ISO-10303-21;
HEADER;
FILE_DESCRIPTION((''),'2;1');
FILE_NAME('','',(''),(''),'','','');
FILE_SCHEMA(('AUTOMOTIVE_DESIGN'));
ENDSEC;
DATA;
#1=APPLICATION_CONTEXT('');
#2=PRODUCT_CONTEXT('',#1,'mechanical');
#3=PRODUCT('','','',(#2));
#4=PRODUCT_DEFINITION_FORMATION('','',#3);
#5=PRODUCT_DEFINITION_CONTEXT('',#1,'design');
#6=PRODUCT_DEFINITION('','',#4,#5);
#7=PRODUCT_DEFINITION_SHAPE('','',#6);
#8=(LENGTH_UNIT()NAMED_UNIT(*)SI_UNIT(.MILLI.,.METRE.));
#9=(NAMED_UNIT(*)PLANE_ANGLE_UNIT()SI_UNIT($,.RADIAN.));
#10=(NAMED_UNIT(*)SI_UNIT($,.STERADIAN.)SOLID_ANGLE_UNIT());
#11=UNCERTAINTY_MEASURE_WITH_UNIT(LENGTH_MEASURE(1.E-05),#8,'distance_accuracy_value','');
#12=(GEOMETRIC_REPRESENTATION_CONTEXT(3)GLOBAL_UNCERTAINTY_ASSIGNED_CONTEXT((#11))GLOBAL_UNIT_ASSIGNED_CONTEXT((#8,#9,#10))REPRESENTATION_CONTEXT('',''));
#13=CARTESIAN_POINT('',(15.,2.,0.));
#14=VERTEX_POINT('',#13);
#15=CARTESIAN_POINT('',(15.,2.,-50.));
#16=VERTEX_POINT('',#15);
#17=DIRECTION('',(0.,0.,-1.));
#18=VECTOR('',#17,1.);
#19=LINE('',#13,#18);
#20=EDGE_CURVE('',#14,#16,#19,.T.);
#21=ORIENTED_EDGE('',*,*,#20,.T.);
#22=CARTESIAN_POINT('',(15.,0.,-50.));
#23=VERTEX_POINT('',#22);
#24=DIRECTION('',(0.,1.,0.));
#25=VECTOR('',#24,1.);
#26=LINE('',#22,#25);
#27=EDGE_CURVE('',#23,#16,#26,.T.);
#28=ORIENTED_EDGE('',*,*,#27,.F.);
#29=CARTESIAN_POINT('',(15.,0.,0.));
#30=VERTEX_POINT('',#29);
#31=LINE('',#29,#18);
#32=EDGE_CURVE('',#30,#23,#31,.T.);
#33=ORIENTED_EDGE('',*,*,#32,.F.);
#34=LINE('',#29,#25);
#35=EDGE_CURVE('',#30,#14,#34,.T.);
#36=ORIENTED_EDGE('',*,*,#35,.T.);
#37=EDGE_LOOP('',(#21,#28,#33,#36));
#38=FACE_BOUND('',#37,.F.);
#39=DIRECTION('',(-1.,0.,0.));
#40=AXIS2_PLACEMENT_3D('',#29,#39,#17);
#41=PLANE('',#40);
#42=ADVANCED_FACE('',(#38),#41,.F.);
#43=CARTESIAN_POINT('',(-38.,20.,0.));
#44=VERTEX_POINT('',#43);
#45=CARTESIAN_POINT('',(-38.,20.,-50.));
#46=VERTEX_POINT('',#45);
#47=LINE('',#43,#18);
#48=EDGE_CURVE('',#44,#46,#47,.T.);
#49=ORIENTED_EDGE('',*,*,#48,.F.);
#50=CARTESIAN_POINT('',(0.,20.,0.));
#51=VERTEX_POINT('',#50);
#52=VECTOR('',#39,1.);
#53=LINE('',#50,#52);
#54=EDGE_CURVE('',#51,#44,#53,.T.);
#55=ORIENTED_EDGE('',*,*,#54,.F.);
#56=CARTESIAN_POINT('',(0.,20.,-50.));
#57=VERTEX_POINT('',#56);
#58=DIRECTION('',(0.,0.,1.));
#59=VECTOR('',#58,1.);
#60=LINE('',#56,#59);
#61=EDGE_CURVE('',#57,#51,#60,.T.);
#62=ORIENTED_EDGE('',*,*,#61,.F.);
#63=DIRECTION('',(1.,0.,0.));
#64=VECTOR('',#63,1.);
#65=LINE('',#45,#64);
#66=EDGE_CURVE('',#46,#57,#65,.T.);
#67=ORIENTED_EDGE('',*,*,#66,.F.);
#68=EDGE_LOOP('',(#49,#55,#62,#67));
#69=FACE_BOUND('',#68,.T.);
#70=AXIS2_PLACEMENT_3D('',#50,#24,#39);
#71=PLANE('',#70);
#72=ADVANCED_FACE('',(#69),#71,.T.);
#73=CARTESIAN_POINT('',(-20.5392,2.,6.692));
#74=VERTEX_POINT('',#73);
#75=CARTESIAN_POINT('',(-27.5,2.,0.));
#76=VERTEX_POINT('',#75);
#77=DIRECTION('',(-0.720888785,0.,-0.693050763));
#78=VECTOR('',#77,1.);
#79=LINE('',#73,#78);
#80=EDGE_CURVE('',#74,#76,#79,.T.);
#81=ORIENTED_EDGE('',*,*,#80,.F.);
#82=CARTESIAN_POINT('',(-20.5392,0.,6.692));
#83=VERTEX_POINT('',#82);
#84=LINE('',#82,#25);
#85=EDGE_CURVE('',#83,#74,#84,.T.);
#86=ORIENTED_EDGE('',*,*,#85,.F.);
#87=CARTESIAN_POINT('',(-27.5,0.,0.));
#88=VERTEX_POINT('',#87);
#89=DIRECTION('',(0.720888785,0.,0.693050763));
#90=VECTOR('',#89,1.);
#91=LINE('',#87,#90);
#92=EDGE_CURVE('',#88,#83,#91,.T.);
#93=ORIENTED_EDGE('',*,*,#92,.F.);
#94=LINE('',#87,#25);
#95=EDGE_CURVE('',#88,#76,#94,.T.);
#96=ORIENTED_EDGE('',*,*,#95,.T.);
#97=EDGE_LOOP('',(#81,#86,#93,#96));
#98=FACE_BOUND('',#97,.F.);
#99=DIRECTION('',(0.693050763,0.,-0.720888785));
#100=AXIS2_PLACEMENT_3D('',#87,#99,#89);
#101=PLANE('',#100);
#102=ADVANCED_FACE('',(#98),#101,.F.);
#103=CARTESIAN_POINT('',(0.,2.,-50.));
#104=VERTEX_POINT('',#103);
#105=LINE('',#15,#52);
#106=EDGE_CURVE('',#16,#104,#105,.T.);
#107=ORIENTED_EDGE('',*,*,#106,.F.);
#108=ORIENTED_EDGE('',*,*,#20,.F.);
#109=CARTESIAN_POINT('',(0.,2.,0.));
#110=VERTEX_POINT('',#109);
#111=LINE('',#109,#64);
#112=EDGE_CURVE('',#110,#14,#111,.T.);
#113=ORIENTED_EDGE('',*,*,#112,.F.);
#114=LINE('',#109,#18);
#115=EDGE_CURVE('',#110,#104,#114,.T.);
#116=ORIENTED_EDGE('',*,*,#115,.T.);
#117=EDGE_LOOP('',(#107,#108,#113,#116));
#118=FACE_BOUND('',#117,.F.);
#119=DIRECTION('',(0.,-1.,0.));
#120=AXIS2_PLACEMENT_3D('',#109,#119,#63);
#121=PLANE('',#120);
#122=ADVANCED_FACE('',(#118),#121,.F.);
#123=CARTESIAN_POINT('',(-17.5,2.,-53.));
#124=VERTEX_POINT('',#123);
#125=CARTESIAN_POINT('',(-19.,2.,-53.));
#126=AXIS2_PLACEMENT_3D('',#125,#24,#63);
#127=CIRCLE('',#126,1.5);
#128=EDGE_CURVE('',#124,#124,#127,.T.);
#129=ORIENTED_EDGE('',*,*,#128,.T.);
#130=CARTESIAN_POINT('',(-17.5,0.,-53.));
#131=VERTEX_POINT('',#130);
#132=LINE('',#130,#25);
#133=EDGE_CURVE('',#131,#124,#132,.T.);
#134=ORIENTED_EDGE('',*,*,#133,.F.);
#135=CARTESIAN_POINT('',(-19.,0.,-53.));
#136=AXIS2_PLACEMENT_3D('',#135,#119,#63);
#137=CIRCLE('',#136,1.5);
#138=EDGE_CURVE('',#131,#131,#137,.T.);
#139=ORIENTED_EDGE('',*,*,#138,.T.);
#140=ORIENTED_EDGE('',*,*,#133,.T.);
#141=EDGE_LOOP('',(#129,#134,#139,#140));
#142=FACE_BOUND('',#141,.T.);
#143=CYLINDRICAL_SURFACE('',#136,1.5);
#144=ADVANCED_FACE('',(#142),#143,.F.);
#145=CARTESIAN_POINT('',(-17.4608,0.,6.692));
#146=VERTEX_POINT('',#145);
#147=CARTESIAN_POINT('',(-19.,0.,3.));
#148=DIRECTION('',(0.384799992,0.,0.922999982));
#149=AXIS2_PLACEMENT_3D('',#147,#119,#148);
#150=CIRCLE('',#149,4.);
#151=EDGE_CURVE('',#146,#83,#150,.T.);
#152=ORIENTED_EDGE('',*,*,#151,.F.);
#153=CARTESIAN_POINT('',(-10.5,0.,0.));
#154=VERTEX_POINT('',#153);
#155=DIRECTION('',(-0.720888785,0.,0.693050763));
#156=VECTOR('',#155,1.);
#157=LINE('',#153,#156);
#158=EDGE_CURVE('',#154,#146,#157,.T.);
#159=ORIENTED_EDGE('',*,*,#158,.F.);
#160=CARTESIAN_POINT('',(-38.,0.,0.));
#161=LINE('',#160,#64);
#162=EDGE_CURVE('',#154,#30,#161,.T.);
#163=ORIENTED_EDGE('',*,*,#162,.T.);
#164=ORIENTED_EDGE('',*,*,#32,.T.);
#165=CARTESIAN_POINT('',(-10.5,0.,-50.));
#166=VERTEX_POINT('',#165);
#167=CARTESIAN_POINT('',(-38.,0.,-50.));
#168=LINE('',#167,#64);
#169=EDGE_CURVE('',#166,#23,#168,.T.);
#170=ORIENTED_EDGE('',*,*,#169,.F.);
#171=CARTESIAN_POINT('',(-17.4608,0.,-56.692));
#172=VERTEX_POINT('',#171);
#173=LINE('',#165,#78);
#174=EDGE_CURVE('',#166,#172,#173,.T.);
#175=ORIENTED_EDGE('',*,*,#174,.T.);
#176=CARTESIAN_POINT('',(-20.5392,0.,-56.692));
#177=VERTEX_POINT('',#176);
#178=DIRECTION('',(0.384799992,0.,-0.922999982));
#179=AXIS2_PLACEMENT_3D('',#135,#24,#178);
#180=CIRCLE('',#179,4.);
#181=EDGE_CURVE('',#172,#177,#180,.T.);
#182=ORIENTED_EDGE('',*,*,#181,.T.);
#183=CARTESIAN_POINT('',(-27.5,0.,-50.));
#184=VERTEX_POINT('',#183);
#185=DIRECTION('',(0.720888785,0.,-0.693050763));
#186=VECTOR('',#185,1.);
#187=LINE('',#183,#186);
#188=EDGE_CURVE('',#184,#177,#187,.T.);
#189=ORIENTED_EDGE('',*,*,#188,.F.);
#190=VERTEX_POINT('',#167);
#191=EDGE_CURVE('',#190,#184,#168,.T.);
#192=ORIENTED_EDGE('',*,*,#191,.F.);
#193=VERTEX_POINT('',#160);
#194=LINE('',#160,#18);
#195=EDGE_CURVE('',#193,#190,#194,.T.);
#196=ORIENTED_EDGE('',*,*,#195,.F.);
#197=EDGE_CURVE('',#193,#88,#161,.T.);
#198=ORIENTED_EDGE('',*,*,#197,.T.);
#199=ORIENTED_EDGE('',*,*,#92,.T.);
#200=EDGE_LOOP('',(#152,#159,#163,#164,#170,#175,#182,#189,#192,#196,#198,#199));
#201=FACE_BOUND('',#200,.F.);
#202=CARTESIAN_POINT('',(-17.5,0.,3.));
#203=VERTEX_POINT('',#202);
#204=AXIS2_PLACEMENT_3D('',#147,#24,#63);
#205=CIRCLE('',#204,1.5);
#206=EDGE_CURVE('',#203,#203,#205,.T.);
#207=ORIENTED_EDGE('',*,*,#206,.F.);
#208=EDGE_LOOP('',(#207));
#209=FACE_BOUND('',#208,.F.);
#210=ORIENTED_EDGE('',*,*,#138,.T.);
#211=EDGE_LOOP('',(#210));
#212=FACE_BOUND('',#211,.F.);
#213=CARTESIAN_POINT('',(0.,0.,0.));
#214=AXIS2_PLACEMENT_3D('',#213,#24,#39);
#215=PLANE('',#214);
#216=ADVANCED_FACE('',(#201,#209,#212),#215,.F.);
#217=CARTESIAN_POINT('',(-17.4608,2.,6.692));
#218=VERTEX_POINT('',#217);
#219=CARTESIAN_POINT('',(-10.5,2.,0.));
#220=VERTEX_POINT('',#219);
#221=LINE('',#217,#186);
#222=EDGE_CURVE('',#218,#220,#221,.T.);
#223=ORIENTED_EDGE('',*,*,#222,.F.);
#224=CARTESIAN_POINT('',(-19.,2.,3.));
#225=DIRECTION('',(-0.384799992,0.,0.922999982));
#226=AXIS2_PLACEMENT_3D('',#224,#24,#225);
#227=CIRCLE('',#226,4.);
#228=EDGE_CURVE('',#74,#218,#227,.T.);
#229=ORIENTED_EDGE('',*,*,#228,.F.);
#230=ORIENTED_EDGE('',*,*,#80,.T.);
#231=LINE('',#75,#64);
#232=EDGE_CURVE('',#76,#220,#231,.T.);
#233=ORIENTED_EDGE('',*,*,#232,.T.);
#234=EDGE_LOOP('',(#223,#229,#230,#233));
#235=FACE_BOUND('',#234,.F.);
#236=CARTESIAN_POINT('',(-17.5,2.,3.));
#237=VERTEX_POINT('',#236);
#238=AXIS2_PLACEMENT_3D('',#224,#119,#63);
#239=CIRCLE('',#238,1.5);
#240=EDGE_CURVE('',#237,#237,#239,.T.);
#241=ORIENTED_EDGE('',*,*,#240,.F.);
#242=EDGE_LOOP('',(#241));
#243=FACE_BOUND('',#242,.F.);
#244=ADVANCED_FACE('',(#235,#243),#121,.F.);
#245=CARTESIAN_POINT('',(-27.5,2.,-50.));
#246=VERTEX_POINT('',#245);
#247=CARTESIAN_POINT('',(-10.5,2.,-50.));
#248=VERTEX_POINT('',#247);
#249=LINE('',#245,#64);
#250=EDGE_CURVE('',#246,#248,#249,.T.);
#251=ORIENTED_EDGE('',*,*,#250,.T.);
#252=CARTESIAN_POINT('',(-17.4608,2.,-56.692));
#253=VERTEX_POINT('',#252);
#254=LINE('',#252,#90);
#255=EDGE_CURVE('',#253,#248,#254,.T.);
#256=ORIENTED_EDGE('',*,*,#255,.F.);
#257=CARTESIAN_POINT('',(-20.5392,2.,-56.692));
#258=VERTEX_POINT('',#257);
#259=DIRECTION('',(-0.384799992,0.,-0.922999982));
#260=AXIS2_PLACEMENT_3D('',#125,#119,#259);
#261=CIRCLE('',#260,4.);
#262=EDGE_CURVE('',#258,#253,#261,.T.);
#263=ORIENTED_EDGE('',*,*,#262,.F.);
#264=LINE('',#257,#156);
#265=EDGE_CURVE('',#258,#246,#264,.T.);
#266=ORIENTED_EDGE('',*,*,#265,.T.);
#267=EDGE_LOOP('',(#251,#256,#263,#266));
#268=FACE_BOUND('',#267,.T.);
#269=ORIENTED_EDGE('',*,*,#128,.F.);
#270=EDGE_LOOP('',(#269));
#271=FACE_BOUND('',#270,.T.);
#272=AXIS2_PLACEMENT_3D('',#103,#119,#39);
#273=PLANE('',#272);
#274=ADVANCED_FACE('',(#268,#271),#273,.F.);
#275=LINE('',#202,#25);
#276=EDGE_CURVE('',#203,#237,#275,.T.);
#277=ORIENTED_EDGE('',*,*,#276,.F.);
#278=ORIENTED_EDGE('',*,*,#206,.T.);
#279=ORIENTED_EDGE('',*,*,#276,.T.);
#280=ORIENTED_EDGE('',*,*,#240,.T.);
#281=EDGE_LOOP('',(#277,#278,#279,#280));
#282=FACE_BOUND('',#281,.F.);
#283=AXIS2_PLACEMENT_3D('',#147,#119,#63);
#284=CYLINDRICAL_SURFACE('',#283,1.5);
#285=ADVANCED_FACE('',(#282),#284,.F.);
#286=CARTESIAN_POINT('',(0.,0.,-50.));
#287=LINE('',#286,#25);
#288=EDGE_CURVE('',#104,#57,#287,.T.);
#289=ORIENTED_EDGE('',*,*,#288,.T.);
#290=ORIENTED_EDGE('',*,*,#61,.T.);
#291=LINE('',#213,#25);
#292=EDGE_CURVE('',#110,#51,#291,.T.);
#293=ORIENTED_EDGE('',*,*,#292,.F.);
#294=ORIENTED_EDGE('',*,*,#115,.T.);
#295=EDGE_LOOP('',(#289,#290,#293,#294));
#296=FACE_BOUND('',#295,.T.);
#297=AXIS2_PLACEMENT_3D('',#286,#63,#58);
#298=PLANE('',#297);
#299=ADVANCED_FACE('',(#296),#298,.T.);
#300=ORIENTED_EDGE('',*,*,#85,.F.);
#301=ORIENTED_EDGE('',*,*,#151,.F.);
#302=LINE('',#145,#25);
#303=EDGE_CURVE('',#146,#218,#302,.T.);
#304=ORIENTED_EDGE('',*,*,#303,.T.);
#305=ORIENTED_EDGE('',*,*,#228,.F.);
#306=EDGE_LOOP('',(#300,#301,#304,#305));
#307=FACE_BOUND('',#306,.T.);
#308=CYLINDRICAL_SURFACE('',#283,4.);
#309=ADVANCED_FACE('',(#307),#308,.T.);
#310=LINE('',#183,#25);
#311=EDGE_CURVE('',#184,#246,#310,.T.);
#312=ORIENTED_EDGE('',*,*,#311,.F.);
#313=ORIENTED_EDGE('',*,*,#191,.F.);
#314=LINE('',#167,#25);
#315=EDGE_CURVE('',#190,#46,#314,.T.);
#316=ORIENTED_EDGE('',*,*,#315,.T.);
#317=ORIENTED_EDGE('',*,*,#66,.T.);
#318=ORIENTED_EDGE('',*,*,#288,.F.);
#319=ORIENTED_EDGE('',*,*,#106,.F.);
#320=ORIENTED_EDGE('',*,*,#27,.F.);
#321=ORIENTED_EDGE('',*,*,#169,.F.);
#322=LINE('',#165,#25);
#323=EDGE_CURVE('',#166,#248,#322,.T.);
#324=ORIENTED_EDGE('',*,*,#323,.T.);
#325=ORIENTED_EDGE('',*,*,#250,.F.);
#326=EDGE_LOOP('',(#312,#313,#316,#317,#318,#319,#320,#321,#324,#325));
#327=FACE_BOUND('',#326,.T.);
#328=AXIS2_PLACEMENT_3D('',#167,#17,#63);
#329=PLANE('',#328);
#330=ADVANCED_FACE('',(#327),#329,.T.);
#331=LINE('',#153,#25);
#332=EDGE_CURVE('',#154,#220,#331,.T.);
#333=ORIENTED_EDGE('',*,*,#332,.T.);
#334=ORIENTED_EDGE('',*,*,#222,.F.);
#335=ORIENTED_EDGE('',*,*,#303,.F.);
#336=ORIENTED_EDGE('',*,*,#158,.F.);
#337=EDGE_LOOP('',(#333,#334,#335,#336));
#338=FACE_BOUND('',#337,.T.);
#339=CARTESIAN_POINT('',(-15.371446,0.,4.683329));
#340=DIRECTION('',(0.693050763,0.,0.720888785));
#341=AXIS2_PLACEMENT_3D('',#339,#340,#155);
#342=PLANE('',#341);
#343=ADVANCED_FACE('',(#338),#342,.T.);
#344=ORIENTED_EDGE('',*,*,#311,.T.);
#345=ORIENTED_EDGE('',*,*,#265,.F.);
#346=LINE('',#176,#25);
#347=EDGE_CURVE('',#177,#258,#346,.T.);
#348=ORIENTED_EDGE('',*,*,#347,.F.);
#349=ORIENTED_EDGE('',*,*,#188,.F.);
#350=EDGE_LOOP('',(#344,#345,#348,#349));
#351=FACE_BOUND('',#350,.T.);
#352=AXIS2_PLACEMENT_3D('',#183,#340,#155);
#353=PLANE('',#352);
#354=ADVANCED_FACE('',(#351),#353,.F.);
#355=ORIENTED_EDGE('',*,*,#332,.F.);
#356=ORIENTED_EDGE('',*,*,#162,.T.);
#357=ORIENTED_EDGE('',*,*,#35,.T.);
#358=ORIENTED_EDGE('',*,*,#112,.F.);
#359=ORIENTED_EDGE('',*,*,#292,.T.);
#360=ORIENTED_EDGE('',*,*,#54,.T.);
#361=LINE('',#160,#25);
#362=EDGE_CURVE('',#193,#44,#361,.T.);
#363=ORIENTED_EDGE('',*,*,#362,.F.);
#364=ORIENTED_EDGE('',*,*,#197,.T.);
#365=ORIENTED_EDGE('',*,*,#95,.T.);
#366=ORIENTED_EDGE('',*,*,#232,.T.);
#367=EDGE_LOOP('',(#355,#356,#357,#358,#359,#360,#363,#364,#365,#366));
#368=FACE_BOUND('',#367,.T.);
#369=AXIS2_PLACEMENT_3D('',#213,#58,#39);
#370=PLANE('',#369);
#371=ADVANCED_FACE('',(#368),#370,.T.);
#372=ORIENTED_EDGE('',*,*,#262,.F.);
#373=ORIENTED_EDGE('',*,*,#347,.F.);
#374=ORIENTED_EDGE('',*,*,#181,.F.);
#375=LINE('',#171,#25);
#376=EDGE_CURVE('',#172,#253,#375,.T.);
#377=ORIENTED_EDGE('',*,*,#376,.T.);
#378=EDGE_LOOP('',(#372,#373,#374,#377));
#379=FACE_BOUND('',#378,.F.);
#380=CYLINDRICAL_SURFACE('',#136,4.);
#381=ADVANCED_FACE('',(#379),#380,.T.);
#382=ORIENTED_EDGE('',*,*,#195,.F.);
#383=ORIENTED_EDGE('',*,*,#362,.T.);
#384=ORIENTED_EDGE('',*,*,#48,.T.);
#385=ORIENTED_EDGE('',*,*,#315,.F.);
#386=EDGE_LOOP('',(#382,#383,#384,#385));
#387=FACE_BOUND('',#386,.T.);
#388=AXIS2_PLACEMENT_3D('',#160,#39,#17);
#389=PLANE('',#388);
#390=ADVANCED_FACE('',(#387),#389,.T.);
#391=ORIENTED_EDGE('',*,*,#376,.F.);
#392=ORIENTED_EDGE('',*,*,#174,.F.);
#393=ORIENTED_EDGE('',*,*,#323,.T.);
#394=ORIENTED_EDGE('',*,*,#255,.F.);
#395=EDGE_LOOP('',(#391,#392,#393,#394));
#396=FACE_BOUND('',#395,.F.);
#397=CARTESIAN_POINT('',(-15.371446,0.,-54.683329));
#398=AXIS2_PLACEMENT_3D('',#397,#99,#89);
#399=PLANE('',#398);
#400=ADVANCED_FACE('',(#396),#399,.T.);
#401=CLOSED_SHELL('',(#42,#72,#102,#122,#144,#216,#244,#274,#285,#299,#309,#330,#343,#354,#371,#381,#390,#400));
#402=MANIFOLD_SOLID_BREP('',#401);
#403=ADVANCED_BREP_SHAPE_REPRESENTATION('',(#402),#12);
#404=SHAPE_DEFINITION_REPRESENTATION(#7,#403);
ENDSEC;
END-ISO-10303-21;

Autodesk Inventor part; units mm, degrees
ref_plane "YZ Plane" through (0, 0, 0) normal (1, 0, 0) x (0, 1, 0)
ref_plane "XZ Plane" through (0, 0, 0) normal (0, 1, 0) x (-1, 0, 0)
sketch "Sketch1" plane through (0, 0, 0) normal (0, 1, 0) x (-1, 0, 0)
  line L0 (0, 0) -> (38, 0)
  line L1 (38, 0) -> (38, -50)
  line L2 (38, -50) -> (0, -50)
  line L3 (0, -50) -> (0, 0)
  dimension "d0" = 38
  dimension "d1" = 50
extrude "Extrusion1" add sketch "Sketch1" along normal blind 20
sketch "Sketch2" plane through (0, 0, 0) normal (0, -1, 0) x (1, 0, 0)
  line L0 (0, 0) -> (0, -50) projected
  line L1 (0, 0) -> (15, 0)
  line L2 (15, 0) -> (15, -50)
  line L3 (15, -50) -> (0, -50)
  line L4 (0, -50) -> (0, 0)
  dimension "d4" = 15
  dimension "d5" = 50
extrude "Extrusion2" add sketch "Sketch2" against normal blind 2
sketch "Sketch3" plane through (0, 0, 0) normal (0, -1, 0) x (1, 0, 0)
  line L0 (-38, 0) -> (0, 0) projected
  line L1 (-19, 0) -> (-19, 7)
  line L2 (-19, 0) -> (-19, 3)
  line L3 (-19, 0) -> (-10.5, 0)
  line L4 (-19, 0) -> (-27.5, 0)
  circle A0 centre (-19, 3) radius 1.5
  circle A1 centre (-19, 3) radius 4
  line L5 (-10.5, 0) -> (-17.4608, 6.692)
  line L6 (-27.5, 0) -> (-20.5392, 6.692)
  dimension "d10" = 8.5
  dimension "d11" = 8.5
  dimension "d12" = 3
  dimension "d18" = 3
  dimension "d19" = 8
extrude "Extrusion3" add sketch "Sketch3" against normal blind 2 contours L6 A1 L0 | A1 L6 L1 A0 L0 | L1 A0 A1 L5 L0 | A1 L5 L0
ref_plane "Work Plane1" through (-38, 20, -25) normal (0, 0, 1) x (1, 0, 0)
mirror "Mirror1" about plane through (-38, 20, -25) normal (0, 0, 1) of "Extrusion3"
properties part number "25W_1224_5V"
